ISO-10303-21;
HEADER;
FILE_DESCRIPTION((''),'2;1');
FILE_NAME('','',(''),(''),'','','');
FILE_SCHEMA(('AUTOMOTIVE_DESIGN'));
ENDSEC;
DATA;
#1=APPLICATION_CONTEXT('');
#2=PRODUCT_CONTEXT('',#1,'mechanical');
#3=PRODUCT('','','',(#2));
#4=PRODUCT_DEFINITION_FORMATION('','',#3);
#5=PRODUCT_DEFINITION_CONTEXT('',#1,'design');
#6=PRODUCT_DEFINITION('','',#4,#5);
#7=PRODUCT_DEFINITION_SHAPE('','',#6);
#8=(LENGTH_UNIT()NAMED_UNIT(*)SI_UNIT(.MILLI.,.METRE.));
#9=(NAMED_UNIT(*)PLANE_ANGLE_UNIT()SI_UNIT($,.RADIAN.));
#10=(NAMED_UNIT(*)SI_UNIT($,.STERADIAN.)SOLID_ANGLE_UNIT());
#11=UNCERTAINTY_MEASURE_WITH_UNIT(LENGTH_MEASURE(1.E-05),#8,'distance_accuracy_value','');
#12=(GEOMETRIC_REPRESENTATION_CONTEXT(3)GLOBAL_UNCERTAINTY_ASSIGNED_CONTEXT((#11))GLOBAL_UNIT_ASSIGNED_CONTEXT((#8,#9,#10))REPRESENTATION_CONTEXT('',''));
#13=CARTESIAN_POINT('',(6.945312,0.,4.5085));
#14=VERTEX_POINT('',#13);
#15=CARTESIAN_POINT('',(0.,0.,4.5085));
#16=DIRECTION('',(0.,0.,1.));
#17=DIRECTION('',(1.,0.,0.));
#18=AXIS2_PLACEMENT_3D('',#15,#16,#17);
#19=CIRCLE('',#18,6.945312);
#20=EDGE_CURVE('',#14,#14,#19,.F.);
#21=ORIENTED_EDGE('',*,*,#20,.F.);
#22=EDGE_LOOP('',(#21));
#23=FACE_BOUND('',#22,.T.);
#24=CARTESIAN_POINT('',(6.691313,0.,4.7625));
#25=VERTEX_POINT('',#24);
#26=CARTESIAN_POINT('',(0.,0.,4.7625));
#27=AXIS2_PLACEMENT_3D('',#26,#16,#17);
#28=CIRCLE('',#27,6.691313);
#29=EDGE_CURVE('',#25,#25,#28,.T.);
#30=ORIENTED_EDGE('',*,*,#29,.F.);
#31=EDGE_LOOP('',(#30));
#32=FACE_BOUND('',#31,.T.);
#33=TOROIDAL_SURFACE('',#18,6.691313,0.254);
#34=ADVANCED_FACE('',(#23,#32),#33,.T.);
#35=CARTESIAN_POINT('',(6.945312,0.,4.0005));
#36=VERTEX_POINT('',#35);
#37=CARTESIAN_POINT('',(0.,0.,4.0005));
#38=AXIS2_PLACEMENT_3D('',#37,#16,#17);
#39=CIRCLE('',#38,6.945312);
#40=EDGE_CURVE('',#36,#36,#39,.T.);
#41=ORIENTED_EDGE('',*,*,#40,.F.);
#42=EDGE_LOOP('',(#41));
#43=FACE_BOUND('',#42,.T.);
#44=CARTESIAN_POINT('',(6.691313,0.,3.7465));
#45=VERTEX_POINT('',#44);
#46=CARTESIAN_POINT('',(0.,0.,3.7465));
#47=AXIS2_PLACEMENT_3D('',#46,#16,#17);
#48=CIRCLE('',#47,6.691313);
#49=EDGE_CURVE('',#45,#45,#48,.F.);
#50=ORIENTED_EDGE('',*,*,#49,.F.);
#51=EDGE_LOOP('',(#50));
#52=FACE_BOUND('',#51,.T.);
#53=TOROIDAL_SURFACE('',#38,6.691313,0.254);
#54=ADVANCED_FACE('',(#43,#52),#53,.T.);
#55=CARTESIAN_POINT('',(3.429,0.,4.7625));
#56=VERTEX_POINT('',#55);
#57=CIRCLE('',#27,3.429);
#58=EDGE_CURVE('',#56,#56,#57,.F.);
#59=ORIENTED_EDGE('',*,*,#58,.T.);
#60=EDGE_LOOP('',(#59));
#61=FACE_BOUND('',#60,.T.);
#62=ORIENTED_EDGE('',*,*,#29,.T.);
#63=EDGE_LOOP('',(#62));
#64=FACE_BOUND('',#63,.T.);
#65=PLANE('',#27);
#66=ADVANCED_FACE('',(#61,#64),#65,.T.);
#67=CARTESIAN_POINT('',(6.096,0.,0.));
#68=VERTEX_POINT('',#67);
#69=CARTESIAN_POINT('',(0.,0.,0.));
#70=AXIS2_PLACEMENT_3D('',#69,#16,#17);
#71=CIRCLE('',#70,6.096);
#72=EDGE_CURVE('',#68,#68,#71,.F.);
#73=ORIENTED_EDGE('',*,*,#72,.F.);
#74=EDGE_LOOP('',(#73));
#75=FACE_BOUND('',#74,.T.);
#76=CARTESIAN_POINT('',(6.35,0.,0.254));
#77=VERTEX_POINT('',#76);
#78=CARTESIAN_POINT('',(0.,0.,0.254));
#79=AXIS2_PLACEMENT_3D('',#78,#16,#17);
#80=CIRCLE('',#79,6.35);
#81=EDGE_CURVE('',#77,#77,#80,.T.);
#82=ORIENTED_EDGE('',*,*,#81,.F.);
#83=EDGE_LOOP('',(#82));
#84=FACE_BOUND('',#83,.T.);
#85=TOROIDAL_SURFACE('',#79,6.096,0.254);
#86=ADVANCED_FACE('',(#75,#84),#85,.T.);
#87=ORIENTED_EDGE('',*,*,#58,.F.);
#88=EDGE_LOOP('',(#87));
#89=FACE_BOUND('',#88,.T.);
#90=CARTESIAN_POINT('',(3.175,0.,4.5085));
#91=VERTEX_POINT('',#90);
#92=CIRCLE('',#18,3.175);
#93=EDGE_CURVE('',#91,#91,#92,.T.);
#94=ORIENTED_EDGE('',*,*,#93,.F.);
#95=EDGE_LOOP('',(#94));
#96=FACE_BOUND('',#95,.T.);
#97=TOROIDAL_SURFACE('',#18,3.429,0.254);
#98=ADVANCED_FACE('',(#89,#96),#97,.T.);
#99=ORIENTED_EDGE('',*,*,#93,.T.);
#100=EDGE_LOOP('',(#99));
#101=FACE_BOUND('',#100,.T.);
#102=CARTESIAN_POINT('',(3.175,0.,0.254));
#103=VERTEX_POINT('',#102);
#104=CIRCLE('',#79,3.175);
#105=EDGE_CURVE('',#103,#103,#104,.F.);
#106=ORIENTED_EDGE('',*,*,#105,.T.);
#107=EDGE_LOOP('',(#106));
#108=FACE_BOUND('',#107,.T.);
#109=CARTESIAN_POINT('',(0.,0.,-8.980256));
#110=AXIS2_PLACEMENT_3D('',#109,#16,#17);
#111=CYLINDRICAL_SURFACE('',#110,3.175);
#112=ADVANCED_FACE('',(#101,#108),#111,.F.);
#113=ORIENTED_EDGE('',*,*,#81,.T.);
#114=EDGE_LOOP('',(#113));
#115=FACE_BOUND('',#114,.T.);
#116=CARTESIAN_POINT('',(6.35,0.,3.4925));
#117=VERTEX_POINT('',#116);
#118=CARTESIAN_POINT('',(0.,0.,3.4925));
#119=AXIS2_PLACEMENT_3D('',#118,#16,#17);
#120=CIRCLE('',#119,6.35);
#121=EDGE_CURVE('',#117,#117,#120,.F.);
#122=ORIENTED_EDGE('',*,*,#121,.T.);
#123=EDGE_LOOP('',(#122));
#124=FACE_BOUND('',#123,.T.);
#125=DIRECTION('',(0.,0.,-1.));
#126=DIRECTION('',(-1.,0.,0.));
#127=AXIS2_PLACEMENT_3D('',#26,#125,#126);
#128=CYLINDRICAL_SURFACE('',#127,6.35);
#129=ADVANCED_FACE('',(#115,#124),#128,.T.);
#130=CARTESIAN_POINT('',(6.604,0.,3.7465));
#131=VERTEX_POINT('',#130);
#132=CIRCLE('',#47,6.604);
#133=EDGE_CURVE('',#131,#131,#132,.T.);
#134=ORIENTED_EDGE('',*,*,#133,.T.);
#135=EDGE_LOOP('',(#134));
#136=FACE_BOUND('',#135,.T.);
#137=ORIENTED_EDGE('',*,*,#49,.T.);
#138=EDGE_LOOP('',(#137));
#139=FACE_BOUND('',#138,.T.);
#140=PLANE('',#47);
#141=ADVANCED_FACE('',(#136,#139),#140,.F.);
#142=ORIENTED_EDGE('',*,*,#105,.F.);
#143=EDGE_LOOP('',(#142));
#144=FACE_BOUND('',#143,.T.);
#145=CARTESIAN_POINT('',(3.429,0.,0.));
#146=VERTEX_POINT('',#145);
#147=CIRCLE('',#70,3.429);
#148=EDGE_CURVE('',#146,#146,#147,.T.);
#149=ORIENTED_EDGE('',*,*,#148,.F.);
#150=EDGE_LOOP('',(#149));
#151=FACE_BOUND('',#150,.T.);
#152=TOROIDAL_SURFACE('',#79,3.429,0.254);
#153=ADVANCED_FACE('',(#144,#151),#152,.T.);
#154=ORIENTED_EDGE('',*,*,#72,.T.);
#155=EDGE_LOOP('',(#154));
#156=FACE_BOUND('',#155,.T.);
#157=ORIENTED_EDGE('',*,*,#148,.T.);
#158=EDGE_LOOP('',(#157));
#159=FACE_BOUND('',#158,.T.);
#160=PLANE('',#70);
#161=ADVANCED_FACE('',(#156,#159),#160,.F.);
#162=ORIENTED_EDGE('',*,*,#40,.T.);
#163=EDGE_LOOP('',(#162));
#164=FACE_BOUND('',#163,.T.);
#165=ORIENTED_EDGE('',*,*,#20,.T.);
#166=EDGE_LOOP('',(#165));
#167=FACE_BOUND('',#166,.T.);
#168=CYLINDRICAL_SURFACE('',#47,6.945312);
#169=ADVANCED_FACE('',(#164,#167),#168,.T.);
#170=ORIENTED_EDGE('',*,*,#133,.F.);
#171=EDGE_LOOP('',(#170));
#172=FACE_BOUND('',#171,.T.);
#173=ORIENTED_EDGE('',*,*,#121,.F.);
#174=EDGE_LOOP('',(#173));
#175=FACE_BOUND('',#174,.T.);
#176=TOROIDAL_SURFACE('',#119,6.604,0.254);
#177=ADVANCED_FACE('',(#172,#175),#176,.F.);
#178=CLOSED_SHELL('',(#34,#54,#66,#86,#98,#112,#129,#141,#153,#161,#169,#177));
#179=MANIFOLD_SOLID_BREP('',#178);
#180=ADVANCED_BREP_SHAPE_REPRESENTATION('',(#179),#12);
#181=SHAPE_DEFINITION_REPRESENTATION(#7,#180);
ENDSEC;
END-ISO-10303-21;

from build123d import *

# Parameters (mm, degrees)
SKETCH1_R           = 6.35
BOSS_EXTRUDE1_DEPTH = 4.7625
SKETCH2_R           = 6.9453125
BOSS_EXTRUDE2_DEPTH = 1.016
SKETCH3_R           = 3.175
CUT_EXTRUDE1_DEPTH  = 4.7625
FILLET1_R           = 0.254


with BuildPart() as part:
    # Sketch1 → Boss-Extrude1 (new body)
    with BuildSketch(Plane.XY):
        Circle(SKETCH1_R)
    extrude(amount=BOSS_EXTRUDE1_DEPTH)

    # Sketch2 → Boss-Extrude2 (add)
    with BuildSketch(Plane.XY.offset(4.7625)):
        Circle(SKETCH2_R)
    extrude(amount=-BOSS_EXTRUDE2_DEPTH)

    # Sketch3 → Cut-Extrude1 (cut)
    with BuildSketch(Plane.XY.offset(4.7625)):
        Circle(SKETCH3_R)
    extrude(amount=-CUT_EXTRUDE1_DEPTH, mode=Mode.SUBTRACT)

    # Fillet1
    fillet1_edges = [part.edges().sort_by_distance(p)[0] for p in [
        (-3.175, 0, 4.7625),
        (-3.175, 0, 0),
        (-6.35, 0, 0),
        (-6.35, 0, 3.7465),
        (-6.9453125, 0, 3.7465),
        (-6.9453125, 0, 4.7625),
    ]]
    fillet(fillet1_edges, radius=FILLET1_R)


solid = part.part
